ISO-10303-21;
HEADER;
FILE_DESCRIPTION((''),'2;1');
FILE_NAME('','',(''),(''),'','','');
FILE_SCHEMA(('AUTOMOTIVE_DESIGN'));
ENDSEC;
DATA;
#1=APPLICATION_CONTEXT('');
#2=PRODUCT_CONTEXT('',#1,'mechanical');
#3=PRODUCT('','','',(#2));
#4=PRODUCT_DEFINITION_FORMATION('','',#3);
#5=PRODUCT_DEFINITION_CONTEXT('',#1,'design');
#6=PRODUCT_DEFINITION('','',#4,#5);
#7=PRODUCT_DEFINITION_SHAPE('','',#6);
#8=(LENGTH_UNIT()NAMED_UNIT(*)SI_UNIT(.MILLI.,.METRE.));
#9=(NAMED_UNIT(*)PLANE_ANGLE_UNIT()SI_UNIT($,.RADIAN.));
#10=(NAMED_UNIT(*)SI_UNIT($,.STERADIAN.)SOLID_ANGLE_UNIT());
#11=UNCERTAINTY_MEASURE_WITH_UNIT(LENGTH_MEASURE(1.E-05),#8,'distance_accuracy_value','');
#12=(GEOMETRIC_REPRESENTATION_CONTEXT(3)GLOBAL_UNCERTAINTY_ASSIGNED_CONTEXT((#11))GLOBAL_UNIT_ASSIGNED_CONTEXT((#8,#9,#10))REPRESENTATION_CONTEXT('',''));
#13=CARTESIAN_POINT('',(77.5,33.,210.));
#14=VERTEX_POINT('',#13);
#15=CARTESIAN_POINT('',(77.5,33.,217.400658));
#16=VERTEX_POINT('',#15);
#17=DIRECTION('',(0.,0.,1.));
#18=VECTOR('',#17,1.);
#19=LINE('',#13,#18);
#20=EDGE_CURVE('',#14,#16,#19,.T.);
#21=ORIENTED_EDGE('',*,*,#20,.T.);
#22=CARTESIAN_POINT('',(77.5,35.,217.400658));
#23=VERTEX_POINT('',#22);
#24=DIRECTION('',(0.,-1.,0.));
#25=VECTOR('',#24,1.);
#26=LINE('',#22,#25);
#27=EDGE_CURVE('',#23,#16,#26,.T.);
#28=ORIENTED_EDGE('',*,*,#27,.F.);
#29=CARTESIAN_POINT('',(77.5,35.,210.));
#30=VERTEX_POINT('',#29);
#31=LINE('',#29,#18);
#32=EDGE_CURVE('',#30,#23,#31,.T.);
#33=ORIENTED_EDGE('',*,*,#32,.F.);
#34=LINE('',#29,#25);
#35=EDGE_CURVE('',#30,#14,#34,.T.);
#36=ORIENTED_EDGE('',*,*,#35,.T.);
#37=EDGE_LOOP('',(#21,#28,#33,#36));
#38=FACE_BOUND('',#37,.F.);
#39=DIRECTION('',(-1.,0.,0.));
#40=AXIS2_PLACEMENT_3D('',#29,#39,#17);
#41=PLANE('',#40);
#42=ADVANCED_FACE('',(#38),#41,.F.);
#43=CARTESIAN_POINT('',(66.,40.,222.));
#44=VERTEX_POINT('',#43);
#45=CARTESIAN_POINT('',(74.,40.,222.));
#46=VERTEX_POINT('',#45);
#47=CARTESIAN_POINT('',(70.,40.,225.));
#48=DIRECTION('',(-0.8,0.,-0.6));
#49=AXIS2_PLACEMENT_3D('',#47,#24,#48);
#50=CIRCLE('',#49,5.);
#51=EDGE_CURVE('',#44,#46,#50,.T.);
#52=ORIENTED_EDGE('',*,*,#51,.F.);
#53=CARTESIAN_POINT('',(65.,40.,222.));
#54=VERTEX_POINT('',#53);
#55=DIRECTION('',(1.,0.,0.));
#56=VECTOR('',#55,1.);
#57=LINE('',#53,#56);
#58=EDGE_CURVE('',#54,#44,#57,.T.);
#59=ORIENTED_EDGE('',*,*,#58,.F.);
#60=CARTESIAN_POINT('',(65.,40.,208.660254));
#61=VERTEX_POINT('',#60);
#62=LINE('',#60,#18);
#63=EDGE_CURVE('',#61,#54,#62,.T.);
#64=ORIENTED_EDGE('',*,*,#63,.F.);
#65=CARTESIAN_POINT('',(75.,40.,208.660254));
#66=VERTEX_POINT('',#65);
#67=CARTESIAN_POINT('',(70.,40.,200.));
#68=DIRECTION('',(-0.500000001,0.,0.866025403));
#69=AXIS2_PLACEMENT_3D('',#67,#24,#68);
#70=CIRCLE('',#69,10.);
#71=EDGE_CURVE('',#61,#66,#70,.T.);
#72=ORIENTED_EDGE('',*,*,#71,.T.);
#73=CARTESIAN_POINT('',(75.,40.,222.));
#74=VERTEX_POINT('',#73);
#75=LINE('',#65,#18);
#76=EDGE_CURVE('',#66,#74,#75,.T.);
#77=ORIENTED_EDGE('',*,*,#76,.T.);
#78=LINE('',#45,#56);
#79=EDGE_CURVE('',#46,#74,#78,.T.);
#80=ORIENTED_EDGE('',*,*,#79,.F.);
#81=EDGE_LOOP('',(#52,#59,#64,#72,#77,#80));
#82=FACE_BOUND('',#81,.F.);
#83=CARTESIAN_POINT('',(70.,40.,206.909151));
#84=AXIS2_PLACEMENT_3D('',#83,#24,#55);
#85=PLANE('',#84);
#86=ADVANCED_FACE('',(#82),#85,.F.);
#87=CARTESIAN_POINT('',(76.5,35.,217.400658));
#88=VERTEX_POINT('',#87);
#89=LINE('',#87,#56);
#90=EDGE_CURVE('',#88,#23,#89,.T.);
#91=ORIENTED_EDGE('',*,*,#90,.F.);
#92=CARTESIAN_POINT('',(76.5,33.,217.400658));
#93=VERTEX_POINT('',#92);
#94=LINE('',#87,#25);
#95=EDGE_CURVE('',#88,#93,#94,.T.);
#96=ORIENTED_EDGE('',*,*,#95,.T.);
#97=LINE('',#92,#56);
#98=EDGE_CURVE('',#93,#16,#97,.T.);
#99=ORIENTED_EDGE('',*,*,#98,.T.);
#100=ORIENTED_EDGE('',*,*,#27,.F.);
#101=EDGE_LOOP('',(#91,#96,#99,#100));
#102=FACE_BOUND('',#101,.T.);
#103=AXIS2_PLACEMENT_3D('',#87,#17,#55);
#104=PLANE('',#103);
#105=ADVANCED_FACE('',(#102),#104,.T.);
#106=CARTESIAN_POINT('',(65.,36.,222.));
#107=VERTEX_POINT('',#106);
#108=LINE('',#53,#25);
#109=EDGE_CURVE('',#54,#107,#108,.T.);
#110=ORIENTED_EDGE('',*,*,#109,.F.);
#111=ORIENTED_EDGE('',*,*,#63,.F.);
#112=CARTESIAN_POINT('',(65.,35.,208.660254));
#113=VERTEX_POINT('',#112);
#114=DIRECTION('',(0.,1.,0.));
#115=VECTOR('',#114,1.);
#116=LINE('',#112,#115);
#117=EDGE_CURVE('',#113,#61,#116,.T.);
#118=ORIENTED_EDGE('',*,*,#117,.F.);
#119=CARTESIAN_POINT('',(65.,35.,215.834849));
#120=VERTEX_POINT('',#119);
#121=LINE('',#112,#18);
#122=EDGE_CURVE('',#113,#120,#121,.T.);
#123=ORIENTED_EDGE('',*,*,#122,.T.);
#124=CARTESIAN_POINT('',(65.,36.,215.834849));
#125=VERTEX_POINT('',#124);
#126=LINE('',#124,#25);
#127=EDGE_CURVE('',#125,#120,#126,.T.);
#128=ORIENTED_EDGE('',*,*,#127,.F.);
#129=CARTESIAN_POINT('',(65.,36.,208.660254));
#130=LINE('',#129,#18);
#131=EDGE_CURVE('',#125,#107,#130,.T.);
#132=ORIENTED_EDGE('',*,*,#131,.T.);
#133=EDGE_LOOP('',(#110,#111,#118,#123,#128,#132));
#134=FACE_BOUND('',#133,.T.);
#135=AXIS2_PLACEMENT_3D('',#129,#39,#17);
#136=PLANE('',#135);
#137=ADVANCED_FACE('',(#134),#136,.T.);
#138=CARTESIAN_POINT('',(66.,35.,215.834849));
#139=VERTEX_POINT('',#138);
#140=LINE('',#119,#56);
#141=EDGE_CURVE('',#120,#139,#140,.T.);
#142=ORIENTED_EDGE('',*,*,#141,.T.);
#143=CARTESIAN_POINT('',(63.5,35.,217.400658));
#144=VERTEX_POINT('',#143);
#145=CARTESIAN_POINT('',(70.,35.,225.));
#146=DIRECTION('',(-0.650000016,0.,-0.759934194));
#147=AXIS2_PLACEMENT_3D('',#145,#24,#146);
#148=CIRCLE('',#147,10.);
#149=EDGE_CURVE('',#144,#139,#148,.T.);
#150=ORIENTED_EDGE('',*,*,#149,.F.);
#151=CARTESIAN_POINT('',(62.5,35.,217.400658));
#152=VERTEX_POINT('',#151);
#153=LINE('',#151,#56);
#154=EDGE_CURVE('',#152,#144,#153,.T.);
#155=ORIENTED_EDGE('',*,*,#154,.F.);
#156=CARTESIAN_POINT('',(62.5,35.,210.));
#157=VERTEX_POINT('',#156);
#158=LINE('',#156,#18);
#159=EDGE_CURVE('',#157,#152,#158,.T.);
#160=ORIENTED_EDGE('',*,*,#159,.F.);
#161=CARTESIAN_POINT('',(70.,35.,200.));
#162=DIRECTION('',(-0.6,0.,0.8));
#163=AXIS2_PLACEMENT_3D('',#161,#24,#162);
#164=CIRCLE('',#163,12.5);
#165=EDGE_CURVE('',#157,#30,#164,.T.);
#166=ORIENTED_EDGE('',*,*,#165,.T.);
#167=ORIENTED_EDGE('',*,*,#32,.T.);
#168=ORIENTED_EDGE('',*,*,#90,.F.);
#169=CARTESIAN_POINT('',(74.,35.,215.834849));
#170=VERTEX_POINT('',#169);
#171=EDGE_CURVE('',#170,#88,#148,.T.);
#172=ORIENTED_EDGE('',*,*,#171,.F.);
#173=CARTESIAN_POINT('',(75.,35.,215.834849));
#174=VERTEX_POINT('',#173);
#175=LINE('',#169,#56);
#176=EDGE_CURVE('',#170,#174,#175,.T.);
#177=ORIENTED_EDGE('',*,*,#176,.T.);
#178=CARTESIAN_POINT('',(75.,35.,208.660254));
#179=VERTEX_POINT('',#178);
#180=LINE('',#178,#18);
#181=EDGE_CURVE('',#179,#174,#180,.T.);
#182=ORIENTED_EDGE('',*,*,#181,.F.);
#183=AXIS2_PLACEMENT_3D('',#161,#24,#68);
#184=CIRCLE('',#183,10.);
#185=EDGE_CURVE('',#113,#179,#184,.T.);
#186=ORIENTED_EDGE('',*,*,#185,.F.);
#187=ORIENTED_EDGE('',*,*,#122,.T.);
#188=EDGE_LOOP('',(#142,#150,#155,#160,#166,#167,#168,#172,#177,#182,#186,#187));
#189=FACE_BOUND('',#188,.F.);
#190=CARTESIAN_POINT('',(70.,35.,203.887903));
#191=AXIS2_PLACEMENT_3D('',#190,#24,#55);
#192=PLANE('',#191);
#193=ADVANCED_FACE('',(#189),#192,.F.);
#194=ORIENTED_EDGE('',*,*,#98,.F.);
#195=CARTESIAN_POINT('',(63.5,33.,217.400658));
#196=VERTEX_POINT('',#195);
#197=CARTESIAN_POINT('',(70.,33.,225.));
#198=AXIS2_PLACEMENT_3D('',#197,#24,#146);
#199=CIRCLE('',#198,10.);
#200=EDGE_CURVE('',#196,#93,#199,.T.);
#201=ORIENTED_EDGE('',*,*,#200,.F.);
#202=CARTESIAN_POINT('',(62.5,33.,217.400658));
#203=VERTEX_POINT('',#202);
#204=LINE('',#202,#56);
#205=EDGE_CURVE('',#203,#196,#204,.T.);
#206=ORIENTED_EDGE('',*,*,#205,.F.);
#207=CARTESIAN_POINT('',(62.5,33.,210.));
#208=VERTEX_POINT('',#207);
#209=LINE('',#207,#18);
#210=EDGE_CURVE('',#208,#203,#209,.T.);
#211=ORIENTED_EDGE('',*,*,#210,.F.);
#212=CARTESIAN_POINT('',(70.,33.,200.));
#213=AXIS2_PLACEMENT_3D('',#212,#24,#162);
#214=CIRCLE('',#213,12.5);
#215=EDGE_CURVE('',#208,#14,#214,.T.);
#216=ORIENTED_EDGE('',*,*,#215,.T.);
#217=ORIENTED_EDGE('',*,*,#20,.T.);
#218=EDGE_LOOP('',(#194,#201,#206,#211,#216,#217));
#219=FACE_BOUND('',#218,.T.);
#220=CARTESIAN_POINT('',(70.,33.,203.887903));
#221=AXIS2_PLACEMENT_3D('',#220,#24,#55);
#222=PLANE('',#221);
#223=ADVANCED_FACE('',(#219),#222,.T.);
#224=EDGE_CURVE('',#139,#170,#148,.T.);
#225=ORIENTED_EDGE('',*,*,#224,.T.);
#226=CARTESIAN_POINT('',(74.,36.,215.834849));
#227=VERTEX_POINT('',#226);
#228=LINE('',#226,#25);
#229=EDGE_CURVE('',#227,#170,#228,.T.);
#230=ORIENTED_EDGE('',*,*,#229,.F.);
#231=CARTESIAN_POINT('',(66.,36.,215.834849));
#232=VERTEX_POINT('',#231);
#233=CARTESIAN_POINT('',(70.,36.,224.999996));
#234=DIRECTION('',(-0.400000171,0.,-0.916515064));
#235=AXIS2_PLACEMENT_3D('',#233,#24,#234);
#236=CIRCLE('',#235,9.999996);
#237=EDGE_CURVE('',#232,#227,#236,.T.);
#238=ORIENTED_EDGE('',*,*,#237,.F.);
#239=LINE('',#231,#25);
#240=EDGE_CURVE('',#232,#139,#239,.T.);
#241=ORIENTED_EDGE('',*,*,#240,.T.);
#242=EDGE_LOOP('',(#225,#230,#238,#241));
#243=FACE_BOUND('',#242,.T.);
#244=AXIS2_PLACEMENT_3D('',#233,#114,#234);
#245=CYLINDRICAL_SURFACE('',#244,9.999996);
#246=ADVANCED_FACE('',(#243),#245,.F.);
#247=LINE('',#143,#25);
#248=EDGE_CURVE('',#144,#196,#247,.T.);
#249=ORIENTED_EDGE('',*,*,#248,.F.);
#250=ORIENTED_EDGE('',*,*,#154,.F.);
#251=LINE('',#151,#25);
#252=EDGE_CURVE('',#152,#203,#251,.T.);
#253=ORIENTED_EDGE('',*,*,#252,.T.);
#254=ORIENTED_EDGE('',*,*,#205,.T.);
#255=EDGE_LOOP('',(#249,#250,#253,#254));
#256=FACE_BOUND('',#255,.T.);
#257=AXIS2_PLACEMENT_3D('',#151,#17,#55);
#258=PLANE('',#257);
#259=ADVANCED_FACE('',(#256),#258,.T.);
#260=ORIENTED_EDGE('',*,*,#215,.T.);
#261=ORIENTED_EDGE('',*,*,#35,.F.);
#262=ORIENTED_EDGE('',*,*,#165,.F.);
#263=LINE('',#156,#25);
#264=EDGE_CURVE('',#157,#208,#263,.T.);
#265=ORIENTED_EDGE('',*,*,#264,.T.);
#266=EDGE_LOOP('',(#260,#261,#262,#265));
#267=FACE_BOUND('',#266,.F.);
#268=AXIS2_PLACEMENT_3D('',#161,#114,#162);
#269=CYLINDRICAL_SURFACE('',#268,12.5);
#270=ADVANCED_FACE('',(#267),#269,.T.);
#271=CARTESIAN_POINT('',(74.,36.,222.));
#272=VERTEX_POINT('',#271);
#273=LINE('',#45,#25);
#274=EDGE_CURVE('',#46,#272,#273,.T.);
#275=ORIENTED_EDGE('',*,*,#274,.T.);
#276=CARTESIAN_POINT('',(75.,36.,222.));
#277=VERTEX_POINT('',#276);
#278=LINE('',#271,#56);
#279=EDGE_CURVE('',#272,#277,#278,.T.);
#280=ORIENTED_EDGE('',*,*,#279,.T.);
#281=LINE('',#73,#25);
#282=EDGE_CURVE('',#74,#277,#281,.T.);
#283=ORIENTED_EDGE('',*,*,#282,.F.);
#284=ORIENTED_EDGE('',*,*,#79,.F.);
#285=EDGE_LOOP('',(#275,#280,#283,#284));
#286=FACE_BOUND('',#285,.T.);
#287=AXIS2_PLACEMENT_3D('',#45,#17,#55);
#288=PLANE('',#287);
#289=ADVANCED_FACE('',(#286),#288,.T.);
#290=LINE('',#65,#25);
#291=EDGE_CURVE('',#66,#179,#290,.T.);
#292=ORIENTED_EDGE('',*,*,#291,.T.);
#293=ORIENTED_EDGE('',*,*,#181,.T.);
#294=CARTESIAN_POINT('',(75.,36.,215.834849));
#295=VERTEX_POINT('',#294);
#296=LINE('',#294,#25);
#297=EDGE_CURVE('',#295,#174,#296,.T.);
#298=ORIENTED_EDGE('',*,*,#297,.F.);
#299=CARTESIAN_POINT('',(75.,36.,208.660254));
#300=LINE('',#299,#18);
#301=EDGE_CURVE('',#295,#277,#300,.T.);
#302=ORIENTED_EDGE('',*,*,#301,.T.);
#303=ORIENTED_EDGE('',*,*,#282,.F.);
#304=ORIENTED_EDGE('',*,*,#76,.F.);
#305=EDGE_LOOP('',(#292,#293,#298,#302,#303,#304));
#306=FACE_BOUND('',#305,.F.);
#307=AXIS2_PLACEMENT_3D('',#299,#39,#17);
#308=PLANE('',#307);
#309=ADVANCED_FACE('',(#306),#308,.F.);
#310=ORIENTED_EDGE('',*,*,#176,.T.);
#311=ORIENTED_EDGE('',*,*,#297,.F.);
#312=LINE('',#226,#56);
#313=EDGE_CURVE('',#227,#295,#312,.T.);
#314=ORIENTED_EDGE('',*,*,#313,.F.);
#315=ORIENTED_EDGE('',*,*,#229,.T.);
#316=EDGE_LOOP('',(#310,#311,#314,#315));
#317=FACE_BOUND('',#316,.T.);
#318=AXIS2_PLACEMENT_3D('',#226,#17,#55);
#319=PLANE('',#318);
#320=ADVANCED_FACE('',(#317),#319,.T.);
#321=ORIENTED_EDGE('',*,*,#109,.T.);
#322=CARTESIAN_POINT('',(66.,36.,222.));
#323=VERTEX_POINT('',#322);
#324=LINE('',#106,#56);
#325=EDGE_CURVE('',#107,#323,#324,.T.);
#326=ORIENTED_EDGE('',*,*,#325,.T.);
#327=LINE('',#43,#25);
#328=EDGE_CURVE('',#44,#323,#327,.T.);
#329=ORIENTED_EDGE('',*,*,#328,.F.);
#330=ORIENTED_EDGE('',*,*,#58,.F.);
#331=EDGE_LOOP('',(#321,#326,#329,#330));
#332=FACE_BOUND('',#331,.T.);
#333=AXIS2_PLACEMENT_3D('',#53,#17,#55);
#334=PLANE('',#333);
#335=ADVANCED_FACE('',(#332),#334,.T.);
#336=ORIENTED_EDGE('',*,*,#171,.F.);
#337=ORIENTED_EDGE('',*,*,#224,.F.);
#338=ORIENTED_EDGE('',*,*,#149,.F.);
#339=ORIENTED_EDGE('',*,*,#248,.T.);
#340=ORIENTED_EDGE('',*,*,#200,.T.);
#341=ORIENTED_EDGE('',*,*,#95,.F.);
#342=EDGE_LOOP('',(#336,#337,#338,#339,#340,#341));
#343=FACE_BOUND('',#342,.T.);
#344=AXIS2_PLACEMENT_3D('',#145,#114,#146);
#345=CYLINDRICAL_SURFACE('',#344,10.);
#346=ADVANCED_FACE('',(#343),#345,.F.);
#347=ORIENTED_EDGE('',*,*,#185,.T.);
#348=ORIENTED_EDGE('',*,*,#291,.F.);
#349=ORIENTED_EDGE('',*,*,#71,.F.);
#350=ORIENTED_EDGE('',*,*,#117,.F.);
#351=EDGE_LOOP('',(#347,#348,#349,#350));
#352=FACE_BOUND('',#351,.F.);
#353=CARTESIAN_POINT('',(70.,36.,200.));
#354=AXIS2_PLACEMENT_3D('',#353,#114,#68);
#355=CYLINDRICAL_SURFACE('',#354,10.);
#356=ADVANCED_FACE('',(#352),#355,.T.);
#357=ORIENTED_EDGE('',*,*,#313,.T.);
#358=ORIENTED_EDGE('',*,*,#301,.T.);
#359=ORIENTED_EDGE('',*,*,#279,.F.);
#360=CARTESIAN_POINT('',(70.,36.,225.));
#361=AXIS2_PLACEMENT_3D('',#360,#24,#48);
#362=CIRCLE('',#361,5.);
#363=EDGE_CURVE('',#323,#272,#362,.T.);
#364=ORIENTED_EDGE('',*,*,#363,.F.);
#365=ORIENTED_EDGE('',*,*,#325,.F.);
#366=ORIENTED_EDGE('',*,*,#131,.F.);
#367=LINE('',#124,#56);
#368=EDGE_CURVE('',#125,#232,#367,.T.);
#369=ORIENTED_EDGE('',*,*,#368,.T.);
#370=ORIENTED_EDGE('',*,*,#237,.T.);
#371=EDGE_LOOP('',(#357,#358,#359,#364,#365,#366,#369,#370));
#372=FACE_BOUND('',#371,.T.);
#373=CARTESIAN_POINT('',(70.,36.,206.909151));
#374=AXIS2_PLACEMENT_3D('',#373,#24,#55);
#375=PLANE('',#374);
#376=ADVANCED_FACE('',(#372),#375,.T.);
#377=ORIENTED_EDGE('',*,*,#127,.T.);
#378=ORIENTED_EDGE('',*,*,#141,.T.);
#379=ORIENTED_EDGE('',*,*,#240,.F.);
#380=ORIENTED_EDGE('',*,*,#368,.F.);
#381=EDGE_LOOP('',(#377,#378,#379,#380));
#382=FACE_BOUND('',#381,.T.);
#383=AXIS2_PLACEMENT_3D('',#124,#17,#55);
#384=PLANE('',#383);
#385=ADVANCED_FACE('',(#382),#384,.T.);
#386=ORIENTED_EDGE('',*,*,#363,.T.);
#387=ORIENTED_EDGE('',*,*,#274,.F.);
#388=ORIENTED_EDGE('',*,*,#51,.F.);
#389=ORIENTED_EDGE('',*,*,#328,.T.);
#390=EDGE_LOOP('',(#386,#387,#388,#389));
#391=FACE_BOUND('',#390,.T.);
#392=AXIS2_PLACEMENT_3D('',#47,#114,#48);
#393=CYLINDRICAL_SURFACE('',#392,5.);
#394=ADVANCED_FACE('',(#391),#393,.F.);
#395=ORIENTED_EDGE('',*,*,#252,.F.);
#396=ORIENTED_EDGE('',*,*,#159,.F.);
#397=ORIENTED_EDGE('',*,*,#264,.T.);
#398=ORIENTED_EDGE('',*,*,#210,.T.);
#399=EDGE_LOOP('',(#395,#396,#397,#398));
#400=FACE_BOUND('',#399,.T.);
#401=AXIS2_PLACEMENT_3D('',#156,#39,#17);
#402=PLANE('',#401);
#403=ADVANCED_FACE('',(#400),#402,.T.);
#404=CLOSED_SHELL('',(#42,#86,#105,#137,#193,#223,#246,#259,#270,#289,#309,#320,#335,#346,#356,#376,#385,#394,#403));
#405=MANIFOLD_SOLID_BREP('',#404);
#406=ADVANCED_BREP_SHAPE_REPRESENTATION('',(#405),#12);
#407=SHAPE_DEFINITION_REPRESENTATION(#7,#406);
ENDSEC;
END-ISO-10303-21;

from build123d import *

# Parameters (mm, degrees)
EXTRUDE028_DEPTH = 2
EXTRUDE029_DEPTH = 1
EXTRUDE027_DEPTH = 4


with BuildPart() as hangerlockfront:
    # Sketch037 → Extrude028 (new body)
    with BuildSketch(Plane.XZ):
        with BuildLine():
            ThreePointArc((-7.5, 10), (0, -12.5), (7.5, 10))
            Line((7.5, 10), (7.5, 17.400658))
            Line((6.5, 17.400658), (7.5, 17.400658))
            ThreePointArc((-6.5, 17.400658), (0, 15), (6.5, 17.400658))
            Line((-7.5, 17.400658), (-6.5, 17.400658))
            Line((-7.5, 10), (-7.5, 17.400658))
        make_face()
    extrude(amount=EXTRUDE028_DEPTH)


with BuildPart() as hangerlockfront_1:
    # Extrude028 placement: moved
    add(hangerlockfront.part.moved(Location((0, -5, 0))))


with BuildPart() as hangerlockspacer:
    # Sketch038 → Extrude029 (new body)
    with BuildSketch(Plane.XZ):
        with BuildLine():
            ThreePointArc((-5, 8.660254), (0, -10), (5, 8.660254))
            Line((5, 8.660254), (5, 15.834849))
            Line((4, 15.834849), (5, 15.834849))
            ThreePointArc((-4, 15.834849), (0, 15), (4, 15.834849))
            Line((-5, 15.834849), (-4, 15.834849))
            Line((-5, 8.660254), (-5, 15.834849))
        make_face()
    extrude(amount=EXTRUDE029_DEPTH)


with BuildPart() as hangerlockspacer_1:
    # Extrude029 placement: moved
    add(hangerlockspacer.part.moved(Location((0, -4, 0))))


with BuildPart() as hangerlockright:
    # Sketch036 → Extrude027 (new body)
    with BuildSketch(Plane.XZ):
        with BuildLine():
            ThreePointArc((-5, 8.660254), (0, -10), (5, 8.660254))
            Line((5, 8.660254), (5, 22))
            Line((4, 22), (5, 22))
            ThreePointArc((-4, 22), (0, 20), (4, 22))
            Line((-5, 22), (-4, 22))
            Line((-5, 8.660254), (-5, 22))
        make_face()
    extrude(amount=EXTRUDE027_DEPTH)

    # Fusion002: union HangerLockFront, HangerLockSpacer
    add(hangerlockfront_1.part)
    add(hangerlockspacer_1.part)


with BuildPart() as hangerlockright_1:
    # Fusion002 placement: moved
    add(hangerlockright.part.moved(Location((70, 40, 200))))


solid = hangerlockright_1.part
